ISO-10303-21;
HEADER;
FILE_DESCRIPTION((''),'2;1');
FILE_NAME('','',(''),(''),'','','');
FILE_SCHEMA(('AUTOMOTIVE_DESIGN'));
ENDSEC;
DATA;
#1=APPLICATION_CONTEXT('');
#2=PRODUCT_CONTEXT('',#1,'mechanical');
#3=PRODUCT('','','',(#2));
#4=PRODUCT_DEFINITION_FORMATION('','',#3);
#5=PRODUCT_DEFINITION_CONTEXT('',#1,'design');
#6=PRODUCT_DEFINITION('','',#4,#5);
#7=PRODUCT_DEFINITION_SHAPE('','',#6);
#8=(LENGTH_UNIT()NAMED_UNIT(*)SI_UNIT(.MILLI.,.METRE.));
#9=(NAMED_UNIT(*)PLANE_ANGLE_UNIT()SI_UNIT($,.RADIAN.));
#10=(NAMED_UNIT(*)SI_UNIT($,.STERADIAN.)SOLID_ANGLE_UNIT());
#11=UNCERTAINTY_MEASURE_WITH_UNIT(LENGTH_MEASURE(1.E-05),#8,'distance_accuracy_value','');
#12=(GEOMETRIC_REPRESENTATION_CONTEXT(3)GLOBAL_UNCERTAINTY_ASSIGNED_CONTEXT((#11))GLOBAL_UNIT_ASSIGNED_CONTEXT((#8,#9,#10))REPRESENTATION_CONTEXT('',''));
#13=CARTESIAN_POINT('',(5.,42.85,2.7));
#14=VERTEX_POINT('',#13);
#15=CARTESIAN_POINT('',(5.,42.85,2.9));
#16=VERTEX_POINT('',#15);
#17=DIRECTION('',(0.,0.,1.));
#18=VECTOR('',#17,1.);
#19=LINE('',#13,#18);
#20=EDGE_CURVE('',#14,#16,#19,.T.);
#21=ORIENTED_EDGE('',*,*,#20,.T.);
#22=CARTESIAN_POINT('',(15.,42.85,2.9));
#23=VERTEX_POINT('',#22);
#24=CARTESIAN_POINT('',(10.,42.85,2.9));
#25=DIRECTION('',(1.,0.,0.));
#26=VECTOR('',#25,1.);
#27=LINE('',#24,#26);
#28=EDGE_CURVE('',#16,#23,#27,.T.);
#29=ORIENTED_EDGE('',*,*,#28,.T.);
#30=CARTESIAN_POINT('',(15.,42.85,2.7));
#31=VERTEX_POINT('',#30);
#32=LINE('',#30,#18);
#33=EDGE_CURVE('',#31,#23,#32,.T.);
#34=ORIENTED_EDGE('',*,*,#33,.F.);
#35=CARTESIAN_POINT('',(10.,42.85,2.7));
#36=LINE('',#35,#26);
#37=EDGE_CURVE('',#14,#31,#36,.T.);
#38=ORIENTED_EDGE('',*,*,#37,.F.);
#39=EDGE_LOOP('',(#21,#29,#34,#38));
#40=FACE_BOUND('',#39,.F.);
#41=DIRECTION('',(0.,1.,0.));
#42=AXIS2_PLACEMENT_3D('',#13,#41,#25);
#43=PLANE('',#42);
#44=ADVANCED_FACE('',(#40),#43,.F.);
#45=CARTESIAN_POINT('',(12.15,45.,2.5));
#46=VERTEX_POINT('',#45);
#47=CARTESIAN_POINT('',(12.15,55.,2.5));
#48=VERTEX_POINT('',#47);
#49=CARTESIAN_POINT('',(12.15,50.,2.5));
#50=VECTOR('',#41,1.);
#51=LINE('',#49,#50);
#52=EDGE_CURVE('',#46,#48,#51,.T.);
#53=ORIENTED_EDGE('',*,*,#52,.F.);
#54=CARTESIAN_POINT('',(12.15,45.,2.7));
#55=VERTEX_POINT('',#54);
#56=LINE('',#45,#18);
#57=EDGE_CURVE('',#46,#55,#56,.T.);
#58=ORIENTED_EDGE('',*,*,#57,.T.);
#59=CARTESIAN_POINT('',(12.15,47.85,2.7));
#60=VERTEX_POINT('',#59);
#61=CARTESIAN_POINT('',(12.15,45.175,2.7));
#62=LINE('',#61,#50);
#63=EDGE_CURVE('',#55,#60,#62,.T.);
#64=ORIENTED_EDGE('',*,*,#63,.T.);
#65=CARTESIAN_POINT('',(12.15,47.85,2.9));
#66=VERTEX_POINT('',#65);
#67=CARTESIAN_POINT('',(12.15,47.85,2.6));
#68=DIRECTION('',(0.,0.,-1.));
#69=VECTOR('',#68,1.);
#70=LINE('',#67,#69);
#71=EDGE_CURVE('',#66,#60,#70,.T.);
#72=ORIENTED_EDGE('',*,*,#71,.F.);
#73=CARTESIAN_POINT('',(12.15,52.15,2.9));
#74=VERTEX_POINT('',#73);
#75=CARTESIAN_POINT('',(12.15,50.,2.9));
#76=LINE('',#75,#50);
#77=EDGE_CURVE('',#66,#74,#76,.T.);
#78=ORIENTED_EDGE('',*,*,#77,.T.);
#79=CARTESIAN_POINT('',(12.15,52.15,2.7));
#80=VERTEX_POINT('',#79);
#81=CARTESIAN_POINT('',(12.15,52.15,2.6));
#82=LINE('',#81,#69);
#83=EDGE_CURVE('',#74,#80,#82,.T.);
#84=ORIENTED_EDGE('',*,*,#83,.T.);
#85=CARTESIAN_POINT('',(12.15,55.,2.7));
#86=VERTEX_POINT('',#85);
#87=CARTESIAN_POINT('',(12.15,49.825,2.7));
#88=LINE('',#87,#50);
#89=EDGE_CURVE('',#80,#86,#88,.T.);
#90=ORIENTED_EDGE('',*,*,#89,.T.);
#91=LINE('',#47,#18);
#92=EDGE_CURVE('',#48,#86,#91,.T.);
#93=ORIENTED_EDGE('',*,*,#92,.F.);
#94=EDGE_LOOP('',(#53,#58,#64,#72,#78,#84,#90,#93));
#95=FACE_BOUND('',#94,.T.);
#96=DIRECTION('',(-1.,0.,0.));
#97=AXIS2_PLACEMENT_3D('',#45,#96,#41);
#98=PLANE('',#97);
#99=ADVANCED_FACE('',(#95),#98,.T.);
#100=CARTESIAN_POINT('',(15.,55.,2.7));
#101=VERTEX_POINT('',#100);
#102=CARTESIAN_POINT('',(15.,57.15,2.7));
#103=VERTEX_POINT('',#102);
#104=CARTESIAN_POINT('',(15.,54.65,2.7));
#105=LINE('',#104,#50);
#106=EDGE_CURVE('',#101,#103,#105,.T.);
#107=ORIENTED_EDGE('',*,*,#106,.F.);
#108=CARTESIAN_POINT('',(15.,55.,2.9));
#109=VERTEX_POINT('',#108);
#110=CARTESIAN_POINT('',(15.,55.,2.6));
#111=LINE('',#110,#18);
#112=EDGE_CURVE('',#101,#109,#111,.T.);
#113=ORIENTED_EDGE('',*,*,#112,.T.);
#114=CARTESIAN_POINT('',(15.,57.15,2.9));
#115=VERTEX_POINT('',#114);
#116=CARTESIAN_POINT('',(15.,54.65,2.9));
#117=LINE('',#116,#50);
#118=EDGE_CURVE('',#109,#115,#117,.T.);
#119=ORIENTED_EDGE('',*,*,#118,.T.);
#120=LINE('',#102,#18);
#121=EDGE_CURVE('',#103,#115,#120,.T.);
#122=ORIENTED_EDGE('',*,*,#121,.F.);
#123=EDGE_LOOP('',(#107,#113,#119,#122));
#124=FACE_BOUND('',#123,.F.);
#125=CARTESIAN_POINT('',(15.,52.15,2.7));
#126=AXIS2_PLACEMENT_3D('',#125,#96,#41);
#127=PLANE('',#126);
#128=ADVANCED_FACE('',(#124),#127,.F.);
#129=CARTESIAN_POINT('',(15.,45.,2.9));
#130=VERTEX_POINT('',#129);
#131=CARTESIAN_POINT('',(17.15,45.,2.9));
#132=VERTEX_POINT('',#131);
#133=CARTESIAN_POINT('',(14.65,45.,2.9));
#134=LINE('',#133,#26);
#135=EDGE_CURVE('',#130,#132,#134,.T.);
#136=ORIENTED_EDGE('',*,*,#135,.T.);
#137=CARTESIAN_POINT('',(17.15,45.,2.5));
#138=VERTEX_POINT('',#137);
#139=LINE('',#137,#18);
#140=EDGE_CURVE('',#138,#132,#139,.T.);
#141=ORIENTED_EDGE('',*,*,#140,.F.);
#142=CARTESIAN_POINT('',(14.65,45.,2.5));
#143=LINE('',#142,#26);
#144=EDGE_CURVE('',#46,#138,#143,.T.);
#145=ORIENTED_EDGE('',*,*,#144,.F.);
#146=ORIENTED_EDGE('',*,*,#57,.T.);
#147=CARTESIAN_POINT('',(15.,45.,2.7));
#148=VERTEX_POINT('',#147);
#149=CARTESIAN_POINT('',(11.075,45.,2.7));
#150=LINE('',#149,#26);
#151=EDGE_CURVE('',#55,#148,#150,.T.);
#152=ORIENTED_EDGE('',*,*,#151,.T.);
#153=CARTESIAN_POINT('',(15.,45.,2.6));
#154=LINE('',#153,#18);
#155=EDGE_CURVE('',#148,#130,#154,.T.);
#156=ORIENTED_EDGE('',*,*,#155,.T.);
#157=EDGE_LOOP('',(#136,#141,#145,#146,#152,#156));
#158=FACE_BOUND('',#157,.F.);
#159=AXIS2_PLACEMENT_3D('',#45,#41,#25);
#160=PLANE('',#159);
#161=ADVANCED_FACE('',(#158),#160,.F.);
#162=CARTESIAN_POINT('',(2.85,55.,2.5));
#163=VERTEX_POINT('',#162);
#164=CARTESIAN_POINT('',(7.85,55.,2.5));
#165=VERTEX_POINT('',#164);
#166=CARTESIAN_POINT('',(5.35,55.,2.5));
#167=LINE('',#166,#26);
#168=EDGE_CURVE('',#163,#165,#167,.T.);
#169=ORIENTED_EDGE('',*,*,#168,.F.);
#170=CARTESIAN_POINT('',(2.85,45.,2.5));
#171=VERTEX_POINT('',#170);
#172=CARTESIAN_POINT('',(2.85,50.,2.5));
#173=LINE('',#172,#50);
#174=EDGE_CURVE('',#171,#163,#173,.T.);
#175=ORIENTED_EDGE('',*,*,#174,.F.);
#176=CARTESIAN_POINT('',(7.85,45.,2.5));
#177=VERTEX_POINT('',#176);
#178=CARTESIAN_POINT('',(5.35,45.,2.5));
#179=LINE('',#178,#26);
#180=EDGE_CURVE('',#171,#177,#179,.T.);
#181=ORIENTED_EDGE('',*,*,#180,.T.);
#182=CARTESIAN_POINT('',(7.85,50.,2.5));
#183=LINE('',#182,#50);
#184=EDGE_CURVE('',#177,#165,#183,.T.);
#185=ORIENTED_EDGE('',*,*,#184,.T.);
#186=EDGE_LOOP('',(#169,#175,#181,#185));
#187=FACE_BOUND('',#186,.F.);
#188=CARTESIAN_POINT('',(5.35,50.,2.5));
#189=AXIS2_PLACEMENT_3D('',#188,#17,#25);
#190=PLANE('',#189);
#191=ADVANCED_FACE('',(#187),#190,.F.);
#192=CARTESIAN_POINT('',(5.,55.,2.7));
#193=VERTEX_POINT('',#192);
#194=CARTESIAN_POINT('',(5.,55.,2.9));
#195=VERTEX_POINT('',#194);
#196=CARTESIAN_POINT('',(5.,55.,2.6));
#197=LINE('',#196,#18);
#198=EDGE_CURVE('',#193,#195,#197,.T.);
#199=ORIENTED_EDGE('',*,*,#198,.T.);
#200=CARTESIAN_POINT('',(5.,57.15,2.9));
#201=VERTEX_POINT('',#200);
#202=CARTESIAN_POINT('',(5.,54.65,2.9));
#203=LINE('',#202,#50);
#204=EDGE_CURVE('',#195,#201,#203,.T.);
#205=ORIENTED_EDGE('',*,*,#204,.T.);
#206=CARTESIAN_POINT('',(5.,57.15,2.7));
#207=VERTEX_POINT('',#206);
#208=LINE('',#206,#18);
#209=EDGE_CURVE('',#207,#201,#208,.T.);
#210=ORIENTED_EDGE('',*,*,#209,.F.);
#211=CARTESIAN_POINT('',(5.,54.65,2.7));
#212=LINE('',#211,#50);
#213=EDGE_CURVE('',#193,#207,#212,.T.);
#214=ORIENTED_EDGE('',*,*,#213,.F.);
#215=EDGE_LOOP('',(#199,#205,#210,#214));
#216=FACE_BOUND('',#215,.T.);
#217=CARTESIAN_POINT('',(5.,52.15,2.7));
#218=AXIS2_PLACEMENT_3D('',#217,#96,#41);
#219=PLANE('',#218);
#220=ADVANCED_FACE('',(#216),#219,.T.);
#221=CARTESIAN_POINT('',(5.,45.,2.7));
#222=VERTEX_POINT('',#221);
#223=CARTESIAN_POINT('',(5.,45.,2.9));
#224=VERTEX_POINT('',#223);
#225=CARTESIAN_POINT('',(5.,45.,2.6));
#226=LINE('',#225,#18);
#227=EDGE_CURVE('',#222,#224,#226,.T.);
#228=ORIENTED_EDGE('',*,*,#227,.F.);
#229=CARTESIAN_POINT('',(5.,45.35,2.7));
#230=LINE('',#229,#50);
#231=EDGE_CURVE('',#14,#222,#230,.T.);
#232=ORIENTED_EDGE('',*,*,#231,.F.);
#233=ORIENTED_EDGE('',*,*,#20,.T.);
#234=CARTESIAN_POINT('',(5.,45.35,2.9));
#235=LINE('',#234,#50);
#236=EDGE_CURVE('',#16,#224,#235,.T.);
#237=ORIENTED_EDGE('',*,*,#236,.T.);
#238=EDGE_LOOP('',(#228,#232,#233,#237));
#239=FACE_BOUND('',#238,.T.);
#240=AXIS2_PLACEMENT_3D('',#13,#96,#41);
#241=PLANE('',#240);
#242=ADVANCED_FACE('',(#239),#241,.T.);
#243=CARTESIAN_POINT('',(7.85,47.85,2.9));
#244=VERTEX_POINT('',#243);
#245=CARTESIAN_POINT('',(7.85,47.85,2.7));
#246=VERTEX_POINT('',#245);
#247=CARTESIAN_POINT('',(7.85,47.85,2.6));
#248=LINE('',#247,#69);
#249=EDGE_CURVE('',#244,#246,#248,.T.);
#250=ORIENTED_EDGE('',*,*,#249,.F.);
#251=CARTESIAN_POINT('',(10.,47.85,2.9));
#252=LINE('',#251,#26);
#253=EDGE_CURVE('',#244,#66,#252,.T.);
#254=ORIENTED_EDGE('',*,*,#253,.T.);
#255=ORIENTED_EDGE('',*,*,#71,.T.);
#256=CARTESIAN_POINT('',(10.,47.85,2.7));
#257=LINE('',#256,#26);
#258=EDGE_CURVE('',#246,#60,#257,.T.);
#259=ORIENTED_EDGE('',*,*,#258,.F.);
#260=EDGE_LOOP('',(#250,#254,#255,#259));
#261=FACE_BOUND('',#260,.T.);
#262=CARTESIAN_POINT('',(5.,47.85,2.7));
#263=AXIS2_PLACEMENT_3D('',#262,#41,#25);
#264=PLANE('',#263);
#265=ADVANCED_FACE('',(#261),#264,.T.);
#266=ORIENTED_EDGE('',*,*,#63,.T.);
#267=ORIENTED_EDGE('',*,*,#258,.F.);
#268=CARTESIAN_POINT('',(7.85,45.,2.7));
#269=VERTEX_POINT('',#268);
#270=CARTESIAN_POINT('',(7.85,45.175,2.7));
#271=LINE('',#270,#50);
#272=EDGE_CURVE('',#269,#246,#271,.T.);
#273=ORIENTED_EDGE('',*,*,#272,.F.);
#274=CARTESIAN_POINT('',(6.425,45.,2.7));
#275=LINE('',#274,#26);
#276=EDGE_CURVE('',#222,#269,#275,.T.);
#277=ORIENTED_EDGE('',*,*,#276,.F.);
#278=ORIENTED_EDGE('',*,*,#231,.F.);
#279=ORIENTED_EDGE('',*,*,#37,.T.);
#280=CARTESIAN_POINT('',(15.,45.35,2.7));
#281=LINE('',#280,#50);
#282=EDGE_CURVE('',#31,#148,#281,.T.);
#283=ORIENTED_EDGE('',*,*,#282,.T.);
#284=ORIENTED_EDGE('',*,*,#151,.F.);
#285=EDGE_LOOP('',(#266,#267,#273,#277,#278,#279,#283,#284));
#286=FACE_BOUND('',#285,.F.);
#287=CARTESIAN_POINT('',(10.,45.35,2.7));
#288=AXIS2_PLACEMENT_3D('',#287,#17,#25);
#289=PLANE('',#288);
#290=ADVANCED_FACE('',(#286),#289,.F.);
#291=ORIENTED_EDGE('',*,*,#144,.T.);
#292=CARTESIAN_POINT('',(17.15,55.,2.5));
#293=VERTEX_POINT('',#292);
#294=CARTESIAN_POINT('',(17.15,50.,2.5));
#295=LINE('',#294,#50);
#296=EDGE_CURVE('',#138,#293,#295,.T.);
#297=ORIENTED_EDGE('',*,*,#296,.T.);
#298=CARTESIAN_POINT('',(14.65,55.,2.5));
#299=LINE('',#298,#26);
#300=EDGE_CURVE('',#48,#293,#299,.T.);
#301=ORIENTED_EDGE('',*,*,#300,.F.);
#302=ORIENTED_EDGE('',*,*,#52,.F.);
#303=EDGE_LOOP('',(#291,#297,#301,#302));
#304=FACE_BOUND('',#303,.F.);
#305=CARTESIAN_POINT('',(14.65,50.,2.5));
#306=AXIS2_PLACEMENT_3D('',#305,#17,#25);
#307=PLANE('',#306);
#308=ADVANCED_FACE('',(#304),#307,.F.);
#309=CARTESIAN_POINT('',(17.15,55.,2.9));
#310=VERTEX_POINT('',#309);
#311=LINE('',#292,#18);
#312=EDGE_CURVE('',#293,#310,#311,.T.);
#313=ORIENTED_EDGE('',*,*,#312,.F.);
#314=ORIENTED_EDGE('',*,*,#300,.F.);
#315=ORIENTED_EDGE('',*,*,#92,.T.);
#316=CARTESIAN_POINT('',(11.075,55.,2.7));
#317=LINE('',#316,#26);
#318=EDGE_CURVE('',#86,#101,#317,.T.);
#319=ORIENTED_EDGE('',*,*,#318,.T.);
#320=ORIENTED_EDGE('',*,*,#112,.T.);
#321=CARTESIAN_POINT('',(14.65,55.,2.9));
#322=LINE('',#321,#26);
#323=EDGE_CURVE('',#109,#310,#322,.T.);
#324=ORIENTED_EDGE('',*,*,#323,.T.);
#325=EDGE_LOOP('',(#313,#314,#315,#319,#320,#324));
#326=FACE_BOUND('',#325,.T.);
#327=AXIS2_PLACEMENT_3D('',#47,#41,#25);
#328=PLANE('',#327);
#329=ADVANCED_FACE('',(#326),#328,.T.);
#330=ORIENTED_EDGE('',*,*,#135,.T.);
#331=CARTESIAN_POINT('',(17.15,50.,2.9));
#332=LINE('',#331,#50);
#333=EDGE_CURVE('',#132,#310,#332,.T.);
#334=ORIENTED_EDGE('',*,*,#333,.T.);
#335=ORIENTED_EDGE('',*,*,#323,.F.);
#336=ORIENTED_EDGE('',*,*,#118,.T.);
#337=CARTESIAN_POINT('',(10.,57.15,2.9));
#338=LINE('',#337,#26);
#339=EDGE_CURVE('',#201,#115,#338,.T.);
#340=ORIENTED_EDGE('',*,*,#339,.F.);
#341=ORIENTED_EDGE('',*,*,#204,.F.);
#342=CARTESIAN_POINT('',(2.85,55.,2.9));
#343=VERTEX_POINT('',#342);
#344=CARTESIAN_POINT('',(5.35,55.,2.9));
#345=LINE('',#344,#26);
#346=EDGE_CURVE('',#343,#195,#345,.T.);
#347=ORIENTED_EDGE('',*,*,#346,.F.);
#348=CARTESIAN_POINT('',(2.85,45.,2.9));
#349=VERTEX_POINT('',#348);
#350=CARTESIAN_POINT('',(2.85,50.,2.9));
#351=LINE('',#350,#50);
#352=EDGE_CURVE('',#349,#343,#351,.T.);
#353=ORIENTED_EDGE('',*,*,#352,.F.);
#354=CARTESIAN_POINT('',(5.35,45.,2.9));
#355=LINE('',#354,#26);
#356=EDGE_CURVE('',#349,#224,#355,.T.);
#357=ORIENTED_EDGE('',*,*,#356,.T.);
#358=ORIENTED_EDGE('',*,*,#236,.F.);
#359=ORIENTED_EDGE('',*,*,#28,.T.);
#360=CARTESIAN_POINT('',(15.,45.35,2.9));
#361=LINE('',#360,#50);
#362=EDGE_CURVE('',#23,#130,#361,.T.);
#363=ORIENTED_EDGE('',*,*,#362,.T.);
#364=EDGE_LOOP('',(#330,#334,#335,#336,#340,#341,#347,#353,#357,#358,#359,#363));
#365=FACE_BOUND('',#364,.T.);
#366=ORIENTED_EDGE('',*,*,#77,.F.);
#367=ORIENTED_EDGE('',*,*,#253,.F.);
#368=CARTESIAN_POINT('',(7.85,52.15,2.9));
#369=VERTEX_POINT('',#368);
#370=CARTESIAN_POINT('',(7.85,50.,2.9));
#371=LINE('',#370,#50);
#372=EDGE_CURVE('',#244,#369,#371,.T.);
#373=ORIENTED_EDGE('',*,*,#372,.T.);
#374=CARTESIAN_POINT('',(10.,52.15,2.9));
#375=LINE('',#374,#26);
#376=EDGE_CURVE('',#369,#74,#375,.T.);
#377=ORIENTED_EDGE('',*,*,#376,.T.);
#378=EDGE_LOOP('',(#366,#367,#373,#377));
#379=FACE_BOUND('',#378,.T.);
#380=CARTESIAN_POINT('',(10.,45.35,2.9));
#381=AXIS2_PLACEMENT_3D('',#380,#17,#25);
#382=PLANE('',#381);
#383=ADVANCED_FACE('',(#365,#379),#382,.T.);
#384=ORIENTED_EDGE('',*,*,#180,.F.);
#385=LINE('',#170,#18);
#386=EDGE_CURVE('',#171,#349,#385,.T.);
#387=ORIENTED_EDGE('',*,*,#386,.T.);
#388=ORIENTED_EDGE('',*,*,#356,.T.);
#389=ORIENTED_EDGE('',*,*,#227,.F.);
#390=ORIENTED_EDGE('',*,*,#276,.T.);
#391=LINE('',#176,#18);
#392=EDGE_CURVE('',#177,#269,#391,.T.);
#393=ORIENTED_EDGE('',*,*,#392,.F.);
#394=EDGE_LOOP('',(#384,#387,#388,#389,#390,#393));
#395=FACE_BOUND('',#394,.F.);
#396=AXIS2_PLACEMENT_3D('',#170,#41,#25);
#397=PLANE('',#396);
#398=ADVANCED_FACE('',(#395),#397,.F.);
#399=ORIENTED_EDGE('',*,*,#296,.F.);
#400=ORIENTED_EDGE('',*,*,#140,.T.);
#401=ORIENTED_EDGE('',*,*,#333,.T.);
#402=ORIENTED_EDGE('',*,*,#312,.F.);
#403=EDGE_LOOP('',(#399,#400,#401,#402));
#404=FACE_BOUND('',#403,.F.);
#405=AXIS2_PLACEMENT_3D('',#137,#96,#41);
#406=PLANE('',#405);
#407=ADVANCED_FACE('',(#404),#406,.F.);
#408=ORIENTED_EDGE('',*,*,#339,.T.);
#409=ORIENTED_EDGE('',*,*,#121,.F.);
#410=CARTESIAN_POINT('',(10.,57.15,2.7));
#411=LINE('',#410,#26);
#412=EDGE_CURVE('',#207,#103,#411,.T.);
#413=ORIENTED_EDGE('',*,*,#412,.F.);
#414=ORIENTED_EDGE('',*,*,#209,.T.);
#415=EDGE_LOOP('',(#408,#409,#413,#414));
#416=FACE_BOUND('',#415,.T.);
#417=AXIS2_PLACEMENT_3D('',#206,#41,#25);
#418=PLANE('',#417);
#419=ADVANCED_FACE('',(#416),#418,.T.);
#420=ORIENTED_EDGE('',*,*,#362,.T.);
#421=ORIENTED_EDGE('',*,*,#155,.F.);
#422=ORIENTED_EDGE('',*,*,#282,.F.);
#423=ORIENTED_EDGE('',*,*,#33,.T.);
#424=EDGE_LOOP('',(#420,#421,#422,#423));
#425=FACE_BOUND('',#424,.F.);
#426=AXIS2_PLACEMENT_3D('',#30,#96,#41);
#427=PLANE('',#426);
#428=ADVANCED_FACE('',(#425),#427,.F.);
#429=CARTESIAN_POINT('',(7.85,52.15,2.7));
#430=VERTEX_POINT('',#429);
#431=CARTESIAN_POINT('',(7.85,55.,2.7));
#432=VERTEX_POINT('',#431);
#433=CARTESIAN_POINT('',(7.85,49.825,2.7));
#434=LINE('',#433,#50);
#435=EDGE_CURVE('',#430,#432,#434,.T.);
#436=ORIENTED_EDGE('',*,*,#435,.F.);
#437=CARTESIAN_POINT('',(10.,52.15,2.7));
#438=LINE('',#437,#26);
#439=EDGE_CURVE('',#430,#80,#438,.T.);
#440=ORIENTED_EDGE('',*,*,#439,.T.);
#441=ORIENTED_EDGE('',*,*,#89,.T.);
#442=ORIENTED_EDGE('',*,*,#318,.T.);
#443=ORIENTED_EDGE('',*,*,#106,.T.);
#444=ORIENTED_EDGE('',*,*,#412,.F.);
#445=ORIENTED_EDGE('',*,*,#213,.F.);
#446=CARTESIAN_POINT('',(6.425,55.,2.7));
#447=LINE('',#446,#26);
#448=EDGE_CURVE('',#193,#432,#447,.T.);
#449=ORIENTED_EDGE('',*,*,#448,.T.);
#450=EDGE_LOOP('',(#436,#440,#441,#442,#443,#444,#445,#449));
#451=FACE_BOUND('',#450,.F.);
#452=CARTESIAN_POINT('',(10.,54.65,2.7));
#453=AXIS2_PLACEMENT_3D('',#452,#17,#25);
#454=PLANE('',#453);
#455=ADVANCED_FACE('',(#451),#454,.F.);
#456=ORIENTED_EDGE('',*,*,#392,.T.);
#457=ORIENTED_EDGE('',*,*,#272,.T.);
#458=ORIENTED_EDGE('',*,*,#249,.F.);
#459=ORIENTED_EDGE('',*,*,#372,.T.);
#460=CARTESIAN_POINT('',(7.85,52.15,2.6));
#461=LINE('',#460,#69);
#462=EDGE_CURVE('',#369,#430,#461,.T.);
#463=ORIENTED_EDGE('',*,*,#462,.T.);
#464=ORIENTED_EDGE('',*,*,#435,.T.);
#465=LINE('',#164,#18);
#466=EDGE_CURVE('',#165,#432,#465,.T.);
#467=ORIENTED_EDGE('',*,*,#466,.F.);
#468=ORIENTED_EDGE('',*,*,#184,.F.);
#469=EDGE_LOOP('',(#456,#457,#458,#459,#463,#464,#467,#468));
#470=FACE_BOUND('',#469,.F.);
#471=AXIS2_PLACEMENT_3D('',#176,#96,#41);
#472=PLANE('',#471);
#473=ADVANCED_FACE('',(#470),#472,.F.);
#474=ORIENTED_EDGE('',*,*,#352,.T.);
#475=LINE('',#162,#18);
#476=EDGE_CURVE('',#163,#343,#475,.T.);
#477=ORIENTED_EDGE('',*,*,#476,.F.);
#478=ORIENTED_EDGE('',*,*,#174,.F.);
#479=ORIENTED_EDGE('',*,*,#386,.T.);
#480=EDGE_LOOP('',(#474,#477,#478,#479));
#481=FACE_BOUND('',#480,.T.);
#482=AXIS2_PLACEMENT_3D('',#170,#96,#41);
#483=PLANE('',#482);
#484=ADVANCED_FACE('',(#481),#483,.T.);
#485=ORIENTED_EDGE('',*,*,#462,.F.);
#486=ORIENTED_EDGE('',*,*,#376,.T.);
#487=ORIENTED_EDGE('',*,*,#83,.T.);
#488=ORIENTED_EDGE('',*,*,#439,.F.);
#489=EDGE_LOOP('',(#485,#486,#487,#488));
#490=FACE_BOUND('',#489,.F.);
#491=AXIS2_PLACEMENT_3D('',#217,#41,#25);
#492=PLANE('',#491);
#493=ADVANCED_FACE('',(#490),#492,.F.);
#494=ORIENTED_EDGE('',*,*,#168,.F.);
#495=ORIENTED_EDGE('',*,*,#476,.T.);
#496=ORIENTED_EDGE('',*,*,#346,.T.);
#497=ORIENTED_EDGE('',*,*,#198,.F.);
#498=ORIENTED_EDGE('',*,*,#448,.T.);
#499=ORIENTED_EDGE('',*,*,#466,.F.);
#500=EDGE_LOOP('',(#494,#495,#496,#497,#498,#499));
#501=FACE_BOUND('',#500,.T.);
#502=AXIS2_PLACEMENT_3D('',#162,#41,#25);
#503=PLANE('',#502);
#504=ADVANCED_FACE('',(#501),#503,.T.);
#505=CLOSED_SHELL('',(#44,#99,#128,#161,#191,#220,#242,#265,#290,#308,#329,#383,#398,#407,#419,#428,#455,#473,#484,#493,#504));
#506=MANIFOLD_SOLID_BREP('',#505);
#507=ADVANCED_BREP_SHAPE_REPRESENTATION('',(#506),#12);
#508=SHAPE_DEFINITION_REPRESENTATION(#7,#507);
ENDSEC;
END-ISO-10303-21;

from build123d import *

# Parameters (mm, degrees)
BOX006_W     = 5
BOX006_H     = 10
BOX006_DEPTH = 0.4
BOX008_W     = 10
BOX008_H     = 5
BOX008_DEPTH = 0.2
BOX007_W     = 10
BOX007_H     = 5
BOX007_DEPTH = 0.2
BOX005_W     = 5
BOX005_H     = 10
BOX005_DEPTH = 0.4


with BuildPart() as cube006:
    # Box006 → Box006 (new body)
    with BuildSketch(Plane(origin=(2.15, -5, 0), x_dir=(1, 0, 0), z_dir=(0, 0, 1))):
        with Locations((2.5, 5)):
            Rectangle(BOX006_W, BOX006_H)
    extrude(amount=BOX006_DEPTH)


with BuildPart() as cube008:
    # Box008 → Box008 (new body)
    with BuildSketch(Plane(origin=(-5, -7.15, 0.2), x_dir=(1, 0, 0), z_dir=(0, 0, 1))):
        with Locations((5, 2.5)):
            Rectangle(BOX008_W, BOX008_H)
    extrude(amount=BOX008_DEPTH)


with BuildPart() as cube007:
    # Box007 → Box007 (new body)
    with BuildSketch(Plane(origin=(-5, 2.15, 0.2), x_dir=(1, 0, 0), z_dir=(0, 0, 1))):
        with Locations((5, 2.5)):
            Rectangle(BOX007_W, BOX007_H)
    extrude(amount=BOX007_DEPTH)


with BuildPart() as fusion001003:
    # Box005 → Box005 (new body)
    with BuildSketch(Plane(origin=(-7.15, -5, 0), x_dir=(1, 0, 0), z_dir=(0, 0, 1))):
        with Locations((2.5, 5)):
            Rectangle(BOX005_W, BOX005_H)
    extrude(amount=BOX005_DEPTH)

    # Fusion001003: union Cube006, Cube008, Cube007
    add(cube006.part)
    add(cube008.part)
    add(cube007.part)


with BuildPart() as fusion001003_1:
    # Fusion001003 placement: moved
    add(fusion001003.part.moved(Location((10, 50, 2.5))))


solid = fusion001003_1.part
